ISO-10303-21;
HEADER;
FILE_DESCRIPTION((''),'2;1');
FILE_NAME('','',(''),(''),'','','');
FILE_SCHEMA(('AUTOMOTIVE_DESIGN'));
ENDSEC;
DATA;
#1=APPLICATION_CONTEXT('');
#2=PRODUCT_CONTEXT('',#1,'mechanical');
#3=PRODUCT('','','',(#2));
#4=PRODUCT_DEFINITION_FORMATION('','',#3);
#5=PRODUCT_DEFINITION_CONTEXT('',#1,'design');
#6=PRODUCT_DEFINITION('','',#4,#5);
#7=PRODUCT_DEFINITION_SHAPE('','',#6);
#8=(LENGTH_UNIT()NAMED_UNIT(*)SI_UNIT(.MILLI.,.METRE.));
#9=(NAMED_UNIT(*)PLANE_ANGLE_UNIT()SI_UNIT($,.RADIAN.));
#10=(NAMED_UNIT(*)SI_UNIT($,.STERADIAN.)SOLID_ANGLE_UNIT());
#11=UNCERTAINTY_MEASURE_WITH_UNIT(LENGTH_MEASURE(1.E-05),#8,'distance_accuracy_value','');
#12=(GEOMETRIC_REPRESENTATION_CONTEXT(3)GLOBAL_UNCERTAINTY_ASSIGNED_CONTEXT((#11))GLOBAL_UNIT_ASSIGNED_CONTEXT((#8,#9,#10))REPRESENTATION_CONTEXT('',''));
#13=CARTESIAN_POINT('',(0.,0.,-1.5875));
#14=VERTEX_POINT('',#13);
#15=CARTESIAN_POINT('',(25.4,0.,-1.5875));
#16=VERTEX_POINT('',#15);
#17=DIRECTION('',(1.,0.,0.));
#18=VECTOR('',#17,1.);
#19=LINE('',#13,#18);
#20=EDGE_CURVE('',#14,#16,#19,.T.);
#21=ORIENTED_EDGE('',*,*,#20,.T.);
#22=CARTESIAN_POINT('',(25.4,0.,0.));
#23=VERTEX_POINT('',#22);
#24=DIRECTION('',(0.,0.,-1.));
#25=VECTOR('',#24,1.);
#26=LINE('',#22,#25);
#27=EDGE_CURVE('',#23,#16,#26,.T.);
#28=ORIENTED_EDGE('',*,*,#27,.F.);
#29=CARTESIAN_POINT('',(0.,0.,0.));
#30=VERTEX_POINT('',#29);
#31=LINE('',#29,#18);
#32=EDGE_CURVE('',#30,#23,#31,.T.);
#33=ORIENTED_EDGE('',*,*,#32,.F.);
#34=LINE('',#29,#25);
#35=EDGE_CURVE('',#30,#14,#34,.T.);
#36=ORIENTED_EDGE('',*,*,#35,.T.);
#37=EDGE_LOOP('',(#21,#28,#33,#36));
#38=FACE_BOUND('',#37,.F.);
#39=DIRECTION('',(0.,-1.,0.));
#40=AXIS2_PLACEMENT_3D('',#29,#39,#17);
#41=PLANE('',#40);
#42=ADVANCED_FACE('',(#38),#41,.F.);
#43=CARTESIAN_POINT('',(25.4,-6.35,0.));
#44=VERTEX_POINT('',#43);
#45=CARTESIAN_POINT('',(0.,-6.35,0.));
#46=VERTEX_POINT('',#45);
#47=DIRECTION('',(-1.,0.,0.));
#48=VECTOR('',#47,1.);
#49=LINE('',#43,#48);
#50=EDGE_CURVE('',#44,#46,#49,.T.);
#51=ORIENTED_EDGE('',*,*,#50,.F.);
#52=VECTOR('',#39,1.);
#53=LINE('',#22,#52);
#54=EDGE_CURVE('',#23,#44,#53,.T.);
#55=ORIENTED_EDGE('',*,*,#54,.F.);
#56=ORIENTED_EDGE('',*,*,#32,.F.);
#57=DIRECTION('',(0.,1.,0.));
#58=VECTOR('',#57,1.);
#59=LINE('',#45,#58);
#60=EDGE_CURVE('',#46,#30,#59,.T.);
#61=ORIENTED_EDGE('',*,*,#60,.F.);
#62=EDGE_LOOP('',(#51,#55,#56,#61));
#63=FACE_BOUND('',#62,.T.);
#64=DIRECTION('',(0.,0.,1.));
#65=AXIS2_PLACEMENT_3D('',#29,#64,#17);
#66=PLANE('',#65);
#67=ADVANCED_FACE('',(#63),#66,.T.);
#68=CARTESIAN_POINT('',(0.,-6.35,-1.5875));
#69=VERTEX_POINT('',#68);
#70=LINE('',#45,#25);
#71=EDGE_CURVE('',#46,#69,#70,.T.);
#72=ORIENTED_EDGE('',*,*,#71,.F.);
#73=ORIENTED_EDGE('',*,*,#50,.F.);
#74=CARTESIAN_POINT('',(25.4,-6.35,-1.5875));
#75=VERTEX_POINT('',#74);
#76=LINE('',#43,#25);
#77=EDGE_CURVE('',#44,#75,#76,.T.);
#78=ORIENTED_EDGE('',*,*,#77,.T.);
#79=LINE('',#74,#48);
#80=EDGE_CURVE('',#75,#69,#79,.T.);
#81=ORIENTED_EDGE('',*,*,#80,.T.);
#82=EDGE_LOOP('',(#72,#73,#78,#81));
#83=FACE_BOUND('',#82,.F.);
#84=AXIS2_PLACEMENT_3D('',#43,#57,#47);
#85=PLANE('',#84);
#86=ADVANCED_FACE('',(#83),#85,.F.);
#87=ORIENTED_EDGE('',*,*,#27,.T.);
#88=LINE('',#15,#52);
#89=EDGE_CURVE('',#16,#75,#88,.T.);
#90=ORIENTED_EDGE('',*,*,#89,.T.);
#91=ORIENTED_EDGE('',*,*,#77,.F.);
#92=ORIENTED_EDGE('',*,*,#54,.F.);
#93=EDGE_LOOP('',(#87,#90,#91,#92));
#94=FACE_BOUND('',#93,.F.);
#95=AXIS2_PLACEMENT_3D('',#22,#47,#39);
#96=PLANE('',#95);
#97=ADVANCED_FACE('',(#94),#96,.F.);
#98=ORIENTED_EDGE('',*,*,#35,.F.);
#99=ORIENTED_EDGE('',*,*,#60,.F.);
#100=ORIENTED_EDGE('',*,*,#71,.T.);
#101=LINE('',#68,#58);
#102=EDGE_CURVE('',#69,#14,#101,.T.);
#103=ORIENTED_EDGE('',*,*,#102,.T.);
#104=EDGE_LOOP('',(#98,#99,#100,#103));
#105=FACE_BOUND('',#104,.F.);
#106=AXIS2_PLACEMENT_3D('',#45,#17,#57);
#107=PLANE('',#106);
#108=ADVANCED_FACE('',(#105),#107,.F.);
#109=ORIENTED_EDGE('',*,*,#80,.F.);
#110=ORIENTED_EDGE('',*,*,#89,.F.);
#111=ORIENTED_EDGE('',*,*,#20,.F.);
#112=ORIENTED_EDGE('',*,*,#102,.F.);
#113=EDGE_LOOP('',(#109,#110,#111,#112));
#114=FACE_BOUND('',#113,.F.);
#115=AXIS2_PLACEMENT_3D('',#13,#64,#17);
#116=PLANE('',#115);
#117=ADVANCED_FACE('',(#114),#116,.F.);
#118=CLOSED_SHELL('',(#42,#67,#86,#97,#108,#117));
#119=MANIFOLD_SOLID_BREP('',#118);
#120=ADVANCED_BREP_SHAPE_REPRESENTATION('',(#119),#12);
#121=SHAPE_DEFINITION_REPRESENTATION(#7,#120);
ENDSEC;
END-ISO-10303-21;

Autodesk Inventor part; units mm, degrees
ref_plane "YZ Plane" through (0, 0, 0) normal (1, 0, 0) x (0, 1, 0)
ref_plane "XZ Plane" through (0, 0, 0) normal (0, 1, 0) x (-1, 0, 0)
ref_plane "XY Plane" through (0, 0, 0) normal (0, 0, 1) x (1, 0, 0)
sketch "Sketch1" plane through (0, 0, 0) normal (0, 0, 1) x (1, 0, 0)
  line L0 (0, 0) -> (25.4, 0)
  line L1 (25.4, 0) -> (25.4, -6.35)
  line L2 (25.4, -6.35) -> (0, -6.35)
  line L3 (0, -6.35) -> (0, 0)
  dimension "d0" = 25.4
  dimension "d1" = 6.35
extrude "Extrusion1" add sketch "Sketch1" against normal blind 1.5875
properties part number "Sharp 2Y0A02 Case Weight"
